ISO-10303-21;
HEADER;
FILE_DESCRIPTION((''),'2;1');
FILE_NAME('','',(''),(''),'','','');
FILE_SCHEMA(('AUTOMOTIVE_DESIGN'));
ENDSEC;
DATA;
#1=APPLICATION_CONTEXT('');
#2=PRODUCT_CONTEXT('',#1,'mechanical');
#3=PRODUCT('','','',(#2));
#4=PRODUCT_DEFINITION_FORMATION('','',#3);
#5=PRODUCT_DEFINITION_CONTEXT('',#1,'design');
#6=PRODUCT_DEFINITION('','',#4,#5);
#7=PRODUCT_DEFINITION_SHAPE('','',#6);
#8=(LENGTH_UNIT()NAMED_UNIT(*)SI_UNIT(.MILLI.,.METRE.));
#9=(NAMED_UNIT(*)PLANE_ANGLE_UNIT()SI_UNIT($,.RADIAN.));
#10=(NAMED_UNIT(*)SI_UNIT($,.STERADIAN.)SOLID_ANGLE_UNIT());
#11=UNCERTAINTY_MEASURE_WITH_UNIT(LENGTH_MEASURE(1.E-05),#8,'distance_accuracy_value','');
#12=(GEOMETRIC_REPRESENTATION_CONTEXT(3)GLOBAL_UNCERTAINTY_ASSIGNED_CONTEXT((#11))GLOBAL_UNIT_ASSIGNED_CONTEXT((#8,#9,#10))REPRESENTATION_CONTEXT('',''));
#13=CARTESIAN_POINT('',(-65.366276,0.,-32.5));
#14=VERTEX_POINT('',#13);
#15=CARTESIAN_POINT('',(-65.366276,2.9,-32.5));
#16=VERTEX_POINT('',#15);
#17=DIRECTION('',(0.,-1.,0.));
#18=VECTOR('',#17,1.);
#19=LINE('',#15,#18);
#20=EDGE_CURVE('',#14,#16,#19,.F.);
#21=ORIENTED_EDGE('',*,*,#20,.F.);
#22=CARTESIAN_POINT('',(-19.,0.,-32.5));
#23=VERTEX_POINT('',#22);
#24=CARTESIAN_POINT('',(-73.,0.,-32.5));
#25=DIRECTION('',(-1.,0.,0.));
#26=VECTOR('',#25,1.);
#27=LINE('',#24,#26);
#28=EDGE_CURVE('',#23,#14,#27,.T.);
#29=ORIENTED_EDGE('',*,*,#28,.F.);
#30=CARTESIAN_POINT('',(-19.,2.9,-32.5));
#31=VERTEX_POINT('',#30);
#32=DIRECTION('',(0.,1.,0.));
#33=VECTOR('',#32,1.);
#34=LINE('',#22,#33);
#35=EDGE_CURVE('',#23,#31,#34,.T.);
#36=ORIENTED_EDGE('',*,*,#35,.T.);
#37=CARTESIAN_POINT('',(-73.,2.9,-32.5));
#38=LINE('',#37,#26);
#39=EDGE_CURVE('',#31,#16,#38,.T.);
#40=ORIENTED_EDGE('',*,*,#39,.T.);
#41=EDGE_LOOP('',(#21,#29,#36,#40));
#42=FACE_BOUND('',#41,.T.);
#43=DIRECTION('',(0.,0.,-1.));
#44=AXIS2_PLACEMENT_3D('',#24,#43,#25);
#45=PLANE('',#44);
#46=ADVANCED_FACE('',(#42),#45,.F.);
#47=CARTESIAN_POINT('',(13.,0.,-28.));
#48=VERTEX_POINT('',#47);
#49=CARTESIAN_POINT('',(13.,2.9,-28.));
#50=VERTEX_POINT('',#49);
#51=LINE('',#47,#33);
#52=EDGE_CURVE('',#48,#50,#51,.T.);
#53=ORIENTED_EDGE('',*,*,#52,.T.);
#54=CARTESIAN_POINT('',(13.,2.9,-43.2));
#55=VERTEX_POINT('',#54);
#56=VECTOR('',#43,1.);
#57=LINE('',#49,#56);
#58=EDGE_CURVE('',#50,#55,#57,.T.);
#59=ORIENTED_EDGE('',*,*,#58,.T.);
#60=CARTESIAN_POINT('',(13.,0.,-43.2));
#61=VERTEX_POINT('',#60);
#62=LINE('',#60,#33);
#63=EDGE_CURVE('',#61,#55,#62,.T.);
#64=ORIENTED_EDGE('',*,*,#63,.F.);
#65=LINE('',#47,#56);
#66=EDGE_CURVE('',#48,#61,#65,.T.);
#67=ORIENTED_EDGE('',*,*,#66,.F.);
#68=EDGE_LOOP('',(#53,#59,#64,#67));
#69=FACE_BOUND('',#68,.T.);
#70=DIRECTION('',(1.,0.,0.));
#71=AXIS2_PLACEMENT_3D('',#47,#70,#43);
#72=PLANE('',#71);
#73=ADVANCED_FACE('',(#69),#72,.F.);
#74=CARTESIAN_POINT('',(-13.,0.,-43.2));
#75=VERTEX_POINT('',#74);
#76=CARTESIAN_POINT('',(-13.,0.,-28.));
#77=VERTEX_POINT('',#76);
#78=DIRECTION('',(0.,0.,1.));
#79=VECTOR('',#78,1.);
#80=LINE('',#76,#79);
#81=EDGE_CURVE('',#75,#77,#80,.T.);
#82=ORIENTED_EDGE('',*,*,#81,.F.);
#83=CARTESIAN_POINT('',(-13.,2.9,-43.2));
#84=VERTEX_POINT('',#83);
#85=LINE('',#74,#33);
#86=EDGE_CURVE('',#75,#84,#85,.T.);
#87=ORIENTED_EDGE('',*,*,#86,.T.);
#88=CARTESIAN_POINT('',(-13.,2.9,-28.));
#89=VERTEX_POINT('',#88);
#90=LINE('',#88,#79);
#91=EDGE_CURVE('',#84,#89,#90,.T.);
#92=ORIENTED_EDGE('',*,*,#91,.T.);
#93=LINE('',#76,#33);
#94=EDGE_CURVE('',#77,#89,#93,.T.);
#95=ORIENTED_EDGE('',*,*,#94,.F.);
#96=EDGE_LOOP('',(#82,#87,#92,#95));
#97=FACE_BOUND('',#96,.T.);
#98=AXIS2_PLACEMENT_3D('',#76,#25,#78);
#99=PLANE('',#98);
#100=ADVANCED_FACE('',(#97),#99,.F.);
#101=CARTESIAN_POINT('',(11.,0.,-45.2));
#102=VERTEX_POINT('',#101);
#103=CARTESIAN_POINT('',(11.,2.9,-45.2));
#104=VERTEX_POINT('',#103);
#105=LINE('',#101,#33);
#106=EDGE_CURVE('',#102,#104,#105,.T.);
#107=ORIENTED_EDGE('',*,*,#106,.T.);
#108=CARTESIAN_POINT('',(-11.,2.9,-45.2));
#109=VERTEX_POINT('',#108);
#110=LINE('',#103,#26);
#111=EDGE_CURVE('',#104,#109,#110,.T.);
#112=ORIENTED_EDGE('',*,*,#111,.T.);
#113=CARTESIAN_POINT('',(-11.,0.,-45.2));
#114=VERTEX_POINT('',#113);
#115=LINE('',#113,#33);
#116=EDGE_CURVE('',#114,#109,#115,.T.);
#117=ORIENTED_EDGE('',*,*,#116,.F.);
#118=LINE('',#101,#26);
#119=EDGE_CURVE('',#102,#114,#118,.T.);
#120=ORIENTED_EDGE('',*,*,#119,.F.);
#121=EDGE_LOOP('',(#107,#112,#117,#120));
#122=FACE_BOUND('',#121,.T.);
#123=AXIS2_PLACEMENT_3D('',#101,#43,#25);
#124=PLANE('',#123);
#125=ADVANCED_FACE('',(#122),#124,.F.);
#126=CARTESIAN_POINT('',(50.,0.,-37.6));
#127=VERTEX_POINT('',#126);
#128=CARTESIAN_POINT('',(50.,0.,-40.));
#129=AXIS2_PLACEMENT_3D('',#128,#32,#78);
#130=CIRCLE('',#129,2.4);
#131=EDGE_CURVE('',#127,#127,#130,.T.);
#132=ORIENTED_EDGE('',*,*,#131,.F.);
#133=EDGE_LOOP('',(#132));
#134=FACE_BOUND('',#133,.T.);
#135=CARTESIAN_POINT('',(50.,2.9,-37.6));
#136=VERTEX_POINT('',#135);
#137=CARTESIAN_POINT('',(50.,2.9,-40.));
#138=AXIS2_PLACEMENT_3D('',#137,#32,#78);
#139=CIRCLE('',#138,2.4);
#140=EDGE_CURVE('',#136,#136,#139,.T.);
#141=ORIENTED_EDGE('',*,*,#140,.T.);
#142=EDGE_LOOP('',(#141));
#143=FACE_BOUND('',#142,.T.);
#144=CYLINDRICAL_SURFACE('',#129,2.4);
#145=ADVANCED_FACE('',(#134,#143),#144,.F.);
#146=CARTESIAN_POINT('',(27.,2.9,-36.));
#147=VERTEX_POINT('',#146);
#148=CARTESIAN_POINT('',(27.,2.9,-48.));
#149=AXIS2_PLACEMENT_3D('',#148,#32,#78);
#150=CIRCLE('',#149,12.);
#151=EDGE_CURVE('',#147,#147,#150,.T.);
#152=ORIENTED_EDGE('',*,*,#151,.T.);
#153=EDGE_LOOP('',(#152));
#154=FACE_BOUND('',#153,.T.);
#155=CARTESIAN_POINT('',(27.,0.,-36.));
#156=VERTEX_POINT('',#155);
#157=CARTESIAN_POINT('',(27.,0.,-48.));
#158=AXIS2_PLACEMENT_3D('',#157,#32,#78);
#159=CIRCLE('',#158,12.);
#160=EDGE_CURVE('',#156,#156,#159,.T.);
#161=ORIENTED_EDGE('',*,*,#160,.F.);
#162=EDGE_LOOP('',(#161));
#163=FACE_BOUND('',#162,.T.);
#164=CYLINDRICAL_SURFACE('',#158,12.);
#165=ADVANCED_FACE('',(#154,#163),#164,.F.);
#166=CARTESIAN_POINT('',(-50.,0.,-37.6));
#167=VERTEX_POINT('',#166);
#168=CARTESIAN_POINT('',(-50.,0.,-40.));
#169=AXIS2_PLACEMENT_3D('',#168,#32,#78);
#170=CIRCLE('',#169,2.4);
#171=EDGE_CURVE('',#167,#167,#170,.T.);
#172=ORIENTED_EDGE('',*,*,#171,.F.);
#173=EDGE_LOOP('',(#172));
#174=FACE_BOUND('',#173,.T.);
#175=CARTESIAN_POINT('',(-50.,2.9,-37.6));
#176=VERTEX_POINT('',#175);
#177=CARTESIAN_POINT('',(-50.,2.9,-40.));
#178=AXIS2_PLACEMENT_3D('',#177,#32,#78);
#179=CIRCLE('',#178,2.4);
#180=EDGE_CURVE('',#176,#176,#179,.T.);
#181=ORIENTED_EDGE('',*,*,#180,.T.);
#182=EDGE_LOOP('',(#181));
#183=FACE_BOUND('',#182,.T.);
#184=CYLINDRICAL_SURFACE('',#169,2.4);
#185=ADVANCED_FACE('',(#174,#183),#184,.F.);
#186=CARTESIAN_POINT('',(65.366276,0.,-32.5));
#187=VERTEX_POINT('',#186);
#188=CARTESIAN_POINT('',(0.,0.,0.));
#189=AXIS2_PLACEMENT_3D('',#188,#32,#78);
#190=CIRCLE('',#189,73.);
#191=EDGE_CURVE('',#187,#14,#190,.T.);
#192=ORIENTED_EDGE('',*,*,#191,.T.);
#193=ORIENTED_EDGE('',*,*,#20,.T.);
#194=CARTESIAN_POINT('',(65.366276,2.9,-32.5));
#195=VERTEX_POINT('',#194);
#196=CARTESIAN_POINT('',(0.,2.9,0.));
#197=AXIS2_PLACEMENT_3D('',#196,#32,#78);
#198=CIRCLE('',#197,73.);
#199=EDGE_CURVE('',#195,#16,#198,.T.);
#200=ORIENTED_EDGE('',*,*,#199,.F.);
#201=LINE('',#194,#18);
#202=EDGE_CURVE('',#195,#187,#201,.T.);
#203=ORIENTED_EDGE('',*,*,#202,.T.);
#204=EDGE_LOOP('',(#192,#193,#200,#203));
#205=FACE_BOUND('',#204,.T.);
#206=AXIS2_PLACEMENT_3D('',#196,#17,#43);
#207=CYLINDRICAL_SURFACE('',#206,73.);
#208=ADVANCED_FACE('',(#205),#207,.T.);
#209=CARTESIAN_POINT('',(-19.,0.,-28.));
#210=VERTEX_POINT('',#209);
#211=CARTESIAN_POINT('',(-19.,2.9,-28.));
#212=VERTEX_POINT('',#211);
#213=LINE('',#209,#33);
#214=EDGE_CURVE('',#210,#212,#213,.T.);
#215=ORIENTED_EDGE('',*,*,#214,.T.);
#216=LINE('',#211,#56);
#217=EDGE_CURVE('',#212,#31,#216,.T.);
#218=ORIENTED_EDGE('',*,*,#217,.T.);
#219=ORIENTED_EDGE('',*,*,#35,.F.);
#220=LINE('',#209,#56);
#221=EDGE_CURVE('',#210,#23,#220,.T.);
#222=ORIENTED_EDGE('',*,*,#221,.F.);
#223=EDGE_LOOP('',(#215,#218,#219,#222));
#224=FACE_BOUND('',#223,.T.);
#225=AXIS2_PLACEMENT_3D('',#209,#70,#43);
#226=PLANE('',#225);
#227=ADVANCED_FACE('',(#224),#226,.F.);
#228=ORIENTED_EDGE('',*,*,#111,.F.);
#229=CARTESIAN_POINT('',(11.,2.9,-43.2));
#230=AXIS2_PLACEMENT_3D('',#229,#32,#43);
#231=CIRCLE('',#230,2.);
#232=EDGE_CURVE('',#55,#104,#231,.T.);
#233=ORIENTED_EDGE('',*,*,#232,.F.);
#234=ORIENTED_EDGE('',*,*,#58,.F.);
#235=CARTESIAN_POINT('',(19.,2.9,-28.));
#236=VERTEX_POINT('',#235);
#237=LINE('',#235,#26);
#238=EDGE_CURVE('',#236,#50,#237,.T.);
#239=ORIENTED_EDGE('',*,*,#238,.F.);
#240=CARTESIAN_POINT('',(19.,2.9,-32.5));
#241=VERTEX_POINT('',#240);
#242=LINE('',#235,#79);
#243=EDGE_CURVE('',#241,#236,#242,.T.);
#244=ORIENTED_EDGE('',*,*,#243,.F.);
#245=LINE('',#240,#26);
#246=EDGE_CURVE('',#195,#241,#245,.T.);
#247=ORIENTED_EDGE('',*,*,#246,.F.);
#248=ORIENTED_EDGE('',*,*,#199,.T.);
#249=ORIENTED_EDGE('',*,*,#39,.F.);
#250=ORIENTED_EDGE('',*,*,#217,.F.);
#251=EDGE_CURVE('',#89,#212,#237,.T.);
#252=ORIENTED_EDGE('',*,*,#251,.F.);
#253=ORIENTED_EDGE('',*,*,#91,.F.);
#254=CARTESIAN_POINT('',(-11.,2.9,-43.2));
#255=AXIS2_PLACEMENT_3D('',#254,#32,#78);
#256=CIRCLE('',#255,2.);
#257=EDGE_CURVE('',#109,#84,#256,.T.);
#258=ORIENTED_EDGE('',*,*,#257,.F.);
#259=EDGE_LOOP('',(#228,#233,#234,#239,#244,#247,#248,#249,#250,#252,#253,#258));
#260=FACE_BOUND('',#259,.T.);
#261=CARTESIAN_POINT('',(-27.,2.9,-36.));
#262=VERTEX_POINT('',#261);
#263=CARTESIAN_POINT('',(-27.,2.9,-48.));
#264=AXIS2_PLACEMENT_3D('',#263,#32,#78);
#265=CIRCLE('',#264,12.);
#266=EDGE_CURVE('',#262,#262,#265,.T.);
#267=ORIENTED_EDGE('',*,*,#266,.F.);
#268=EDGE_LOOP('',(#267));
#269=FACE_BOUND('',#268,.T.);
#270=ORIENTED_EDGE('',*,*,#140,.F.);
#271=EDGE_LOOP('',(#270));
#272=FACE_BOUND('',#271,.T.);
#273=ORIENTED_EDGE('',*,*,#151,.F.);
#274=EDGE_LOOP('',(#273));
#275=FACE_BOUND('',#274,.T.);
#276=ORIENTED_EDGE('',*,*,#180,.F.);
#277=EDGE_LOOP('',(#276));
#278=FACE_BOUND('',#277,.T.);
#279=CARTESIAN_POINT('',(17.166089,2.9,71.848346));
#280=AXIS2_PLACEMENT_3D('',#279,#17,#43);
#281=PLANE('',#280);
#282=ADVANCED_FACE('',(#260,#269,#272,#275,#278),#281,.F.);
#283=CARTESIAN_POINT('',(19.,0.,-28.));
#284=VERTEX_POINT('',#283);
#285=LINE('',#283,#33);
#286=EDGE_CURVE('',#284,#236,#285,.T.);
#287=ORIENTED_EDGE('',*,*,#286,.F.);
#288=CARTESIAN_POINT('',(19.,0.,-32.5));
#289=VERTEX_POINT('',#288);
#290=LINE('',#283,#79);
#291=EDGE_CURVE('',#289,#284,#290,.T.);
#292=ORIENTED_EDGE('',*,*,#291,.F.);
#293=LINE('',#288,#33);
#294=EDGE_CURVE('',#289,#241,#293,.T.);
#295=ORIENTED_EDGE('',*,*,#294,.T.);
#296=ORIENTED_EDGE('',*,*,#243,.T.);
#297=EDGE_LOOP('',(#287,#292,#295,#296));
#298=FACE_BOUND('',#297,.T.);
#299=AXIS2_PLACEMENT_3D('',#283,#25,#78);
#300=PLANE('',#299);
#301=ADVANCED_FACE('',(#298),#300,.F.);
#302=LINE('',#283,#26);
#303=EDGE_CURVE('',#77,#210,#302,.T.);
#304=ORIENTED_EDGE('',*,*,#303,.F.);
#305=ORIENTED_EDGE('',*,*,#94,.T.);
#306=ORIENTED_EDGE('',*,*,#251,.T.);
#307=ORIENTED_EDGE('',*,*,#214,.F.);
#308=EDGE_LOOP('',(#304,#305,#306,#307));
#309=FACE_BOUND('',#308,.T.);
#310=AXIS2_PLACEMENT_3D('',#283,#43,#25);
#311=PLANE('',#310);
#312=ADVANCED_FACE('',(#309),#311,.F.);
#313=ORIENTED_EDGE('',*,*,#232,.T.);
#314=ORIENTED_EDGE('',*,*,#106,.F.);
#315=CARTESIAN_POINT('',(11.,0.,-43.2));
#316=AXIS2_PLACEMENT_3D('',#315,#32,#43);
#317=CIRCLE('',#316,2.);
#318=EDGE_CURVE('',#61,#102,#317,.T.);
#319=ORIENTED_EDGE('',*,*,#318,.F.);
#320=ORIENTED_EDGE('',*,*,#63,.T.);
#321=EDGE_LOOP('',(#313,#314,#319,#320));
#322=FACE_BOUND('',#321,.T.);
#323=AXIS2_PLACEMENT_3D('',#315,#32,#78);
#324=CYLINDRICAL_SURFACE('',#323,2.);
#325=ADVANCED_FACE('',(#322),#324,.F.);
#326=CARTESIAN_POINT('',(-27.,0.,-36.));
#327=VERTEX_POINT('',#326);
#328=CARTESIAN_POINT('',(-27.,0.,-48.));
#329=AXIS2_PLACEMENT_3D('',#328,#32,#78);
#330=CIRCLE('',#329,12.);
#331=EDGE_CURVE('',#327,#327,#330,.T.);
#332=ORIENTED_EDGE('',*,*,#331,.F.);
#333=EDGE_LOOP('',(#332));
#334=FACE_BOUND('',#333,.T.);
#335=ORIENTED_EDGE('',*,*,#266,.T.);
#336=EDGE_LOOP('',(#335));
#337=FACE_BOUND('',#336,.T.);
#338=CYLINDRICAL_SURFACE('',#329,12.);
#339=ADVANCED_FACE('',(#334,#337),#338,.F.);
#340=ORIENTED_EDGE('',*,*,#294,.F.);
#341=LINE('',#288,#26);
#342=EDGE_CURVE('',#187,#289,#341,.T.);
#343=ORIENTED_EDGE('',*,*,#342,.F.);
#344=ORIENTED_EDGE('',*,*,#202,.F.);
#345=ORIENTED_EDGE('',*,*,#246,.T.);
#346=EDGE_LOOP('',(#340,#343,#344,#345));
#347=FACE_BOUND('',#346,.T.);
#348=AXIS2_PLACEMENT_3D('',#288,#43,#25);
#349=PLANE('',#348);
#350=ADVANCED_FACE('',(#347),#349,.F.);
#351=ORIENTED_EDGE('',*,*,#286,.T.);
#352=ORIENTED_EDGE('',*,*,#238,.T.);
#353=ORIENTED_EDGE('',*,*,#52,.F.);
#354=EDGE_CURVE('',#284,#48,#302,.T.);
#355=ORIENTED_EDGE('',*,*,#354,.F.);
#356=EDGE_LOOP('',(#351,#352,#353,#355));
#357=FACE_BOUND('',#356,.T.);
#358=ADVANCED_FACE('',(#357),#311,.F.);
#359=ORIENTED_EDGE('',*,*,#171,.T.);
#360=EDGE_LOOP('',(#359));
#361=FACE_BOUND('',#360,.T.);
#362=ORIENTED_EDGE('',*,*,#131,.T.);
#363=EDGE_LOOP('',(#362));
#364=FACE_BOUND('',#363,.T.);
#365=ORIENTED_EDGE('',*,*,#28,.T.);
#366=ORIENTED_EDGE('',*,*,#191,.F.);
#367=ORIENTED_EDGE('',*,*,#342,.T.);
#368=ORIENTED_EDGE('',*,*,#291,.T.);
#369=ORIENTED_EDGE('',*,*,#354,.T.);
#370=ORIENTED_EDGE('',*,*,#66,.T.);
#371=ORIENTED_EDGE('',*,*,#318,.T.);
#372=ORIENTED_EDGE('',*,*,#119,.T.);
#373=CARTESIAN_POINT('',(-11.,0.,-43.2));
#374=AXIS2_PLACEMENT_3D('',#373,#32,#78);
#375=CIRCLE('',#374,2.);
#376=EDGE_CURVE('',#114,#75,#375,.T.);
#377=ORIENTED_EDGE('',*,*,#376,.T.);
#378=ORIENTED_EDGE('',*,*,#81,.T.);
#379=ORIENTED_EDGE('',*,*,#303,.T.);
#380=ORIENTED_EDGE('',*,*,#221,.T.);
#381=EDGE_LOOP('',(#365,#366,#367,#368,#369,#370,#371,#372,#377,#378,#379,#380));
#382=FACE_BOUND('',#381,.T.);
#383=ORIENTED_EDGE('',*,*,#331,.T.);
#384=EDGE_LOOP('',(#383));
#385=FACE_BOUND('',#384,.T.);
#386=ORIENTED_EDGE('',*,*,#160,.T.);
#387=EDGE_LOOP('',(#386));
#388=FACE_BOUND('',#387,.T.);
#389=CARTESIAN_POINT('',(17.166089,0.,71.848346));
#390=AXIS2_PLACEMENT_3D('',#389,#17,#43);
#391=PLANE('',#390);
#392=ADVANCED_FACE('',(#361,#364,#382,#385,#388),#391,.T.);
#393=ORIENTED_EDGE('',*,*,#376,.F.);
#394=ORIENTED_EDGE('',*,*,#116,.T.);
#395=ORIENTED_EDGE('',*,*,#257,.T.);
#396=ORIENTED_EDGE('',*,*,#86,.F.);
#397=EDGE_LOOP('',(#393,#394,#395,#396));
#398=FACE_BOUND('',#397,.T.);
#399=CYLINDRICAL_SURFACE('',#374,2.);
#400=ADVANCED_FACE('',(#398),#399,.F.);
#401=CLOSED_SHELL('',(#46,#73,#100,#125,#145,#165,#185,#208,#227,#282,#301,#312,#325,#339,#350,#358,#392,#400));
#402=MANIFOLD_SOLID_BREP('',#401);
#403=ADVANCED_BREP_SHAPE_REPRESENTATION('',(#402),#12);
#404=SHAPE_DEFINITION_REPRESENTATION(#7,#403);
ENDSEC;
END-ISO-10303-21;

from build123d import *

# Parameters (mm, degrees)
BOSS_EXTRUDE1_DEPTH  = 2.9
SOLENOID_PLACEMENT_W = 38
SOLENOID_PLACEMENT_H = 64
CUT_EXTRUDE1_DEPTH   = 104.278313309
CUT_EXTRUDE4_DEPTH   = 104.278313309
SKETCH5_R            = 12
CUT_EXTRUDE5_DEPTH   = 104.278313309
SKETCH6_R            = 2.4
CUT_EXTRUDE6_DEPTH   = 104.278313309
CUT_EXTRUDE3_DEPTH   = 104.278313309


with BuildPart() as part:
    # Sketch1 → Boss-Extrude1 (new body)
    with BuildSketch(Plane(origin=(0, 0, 0), x_dir=(1, 0, 0), z_dir=(0, 1, 0))):
        with BuildLine():
            ThreePointArc((36.856602833, -63.012624351), (0, 73), (-36.856602833, -63.012624351))
            ThreePointArc((-36.856602833, -63.012624351), (-33.368752207, -63.602994345), (-30.363140064, -61.737536127))
            ThreePointArc((-30.363140064, -61.737536127), (0, -46.75), (30.363140064, -61.737536127))
            ThreePointArc((30.363140064, -61.737536127), (33.368752207, -63.602994345), (36.856602833, -63.012624351))
        make_face()
    extrude(amount=BOSS_EXTRUDE1_DEPTH)

    # solenoid placement → Cut-Extrude1 (cut, through all)
    with BuildSketch(Plane(origin=(0, 2.9, 0), x_dir=(1, 0, 0), z_dir=(0, 1, 0))):
        with Locations((0, -4)):
            Rectangle(SOLENOID_PLACEMENT_W, SOLENOID_PLACEMENT_H)
    extrude(amount=-CUT_EXTRUDE1_DEPTH, mode=Mode.SUBTRACT)

    # Sketch4 → Cut-Extrude4 (cut, through all)
    with BuildSketch(Plane(origin=(0, 2.9, 0), x_dir=(1, 0, 0), z_dir=(0, 1, 0))):
        with BuildLine():
            Line((-13, 28), (13, 28))
            Line((13, 28), (13, 43.2))
            ThreePointArc((13, 43.2), (12.414213562, 44.614213562), (11, 45.2))
            Line((11, 45.2), (-11, 45.2))
            ThreePointArc((-11, 45.2), (-12.414213562, 44.614213562), (-13, 43.2))
            Line((-13, 43.2), (-13, 28))
        make_face()
    extrude(amount=-CUT_EXTRUDE4_DEPTH, mode=Mode.SUBTRACT)

    # Sketch5 → Cut-Extrude5 (cut, through all)
    with BuildSketch(Plane(origin=(0, 2.9, 0), x_dir=(1, 0, 0), z_dir=(0, 1, 0))):
        with Locations(Location((-27, 48, 0), (0, 0, 270))):
            Circle(SKETCH5_R)
        with Locations(Location((27, 48, 0), (0, 0, 270))):
            Circle(SKETCH5_R)
    extrude(amount=-CUT_EXTRUDE5_DEPTH, mode=Mode.SUBTRACT)

    # Sketch6 → Cut-Extrude6 (cut, through all)
    with BuildSketch(Plane(origin=(0, 2.9, 0), x_dir=(1, 0, 0), z_dir=(0, 1, 0))):
        with Locations(Location((40, -40, 0), (0, 0, 270))):
            Circle(SKETCH6_R)
        with Locations(Location((-40, -40, 0), (0, 0, 270))):
            Circle(SKETCH6_R)
        with Locations(Location((-50, 40, 0), (0, 0, 270))):
            Circle(SKETCH6_R)
        with Locations(Location((50, 40, 0), (0, 0, 270))):
            Circle(SKETCH6_R)
    extrude(amount=-CUT_EXTRUDE6_DEPTH, mode=Mode.SUBTRACT)

    # Sketch3 → Cut-Extrude3 (cut, through all)
    with BuildSketch(Plane(origin=(0, 2.9, 0), x_dir=(1, 0, 0), z_dir=(0, 1, 0))):
        Polygon((-19, 28), (19, 28), (19, 32.5), (73, 32.5), (73, -32.5), (-73, -32.5), (-73, 32.5), (-19, 32.5), align=None)
    extrude(amount=-CUT_EXTRUDE3_DEPTH, mode=Mode.SUBTRACT)


with BuildPart() as cut_extrude3_piece_1:
    # of the separate pieces the step leaves, piece 1, a body of its own (cut_extrude3_pieces)
    add(part.part.solids().sort_by_distance((65.366275709, 0, -32.5))[0])


with BuildPart() as cut_extrude3_piece_2:
    # of the separate pieces the step leaves, piece 2, a body of its own (cut_extrude3_pieces)
    add(part.part.solids().sort_by_distance((-36.856602833, 0, 63.012624351))[0])


solid = cut_extrude3_piece_1.part
